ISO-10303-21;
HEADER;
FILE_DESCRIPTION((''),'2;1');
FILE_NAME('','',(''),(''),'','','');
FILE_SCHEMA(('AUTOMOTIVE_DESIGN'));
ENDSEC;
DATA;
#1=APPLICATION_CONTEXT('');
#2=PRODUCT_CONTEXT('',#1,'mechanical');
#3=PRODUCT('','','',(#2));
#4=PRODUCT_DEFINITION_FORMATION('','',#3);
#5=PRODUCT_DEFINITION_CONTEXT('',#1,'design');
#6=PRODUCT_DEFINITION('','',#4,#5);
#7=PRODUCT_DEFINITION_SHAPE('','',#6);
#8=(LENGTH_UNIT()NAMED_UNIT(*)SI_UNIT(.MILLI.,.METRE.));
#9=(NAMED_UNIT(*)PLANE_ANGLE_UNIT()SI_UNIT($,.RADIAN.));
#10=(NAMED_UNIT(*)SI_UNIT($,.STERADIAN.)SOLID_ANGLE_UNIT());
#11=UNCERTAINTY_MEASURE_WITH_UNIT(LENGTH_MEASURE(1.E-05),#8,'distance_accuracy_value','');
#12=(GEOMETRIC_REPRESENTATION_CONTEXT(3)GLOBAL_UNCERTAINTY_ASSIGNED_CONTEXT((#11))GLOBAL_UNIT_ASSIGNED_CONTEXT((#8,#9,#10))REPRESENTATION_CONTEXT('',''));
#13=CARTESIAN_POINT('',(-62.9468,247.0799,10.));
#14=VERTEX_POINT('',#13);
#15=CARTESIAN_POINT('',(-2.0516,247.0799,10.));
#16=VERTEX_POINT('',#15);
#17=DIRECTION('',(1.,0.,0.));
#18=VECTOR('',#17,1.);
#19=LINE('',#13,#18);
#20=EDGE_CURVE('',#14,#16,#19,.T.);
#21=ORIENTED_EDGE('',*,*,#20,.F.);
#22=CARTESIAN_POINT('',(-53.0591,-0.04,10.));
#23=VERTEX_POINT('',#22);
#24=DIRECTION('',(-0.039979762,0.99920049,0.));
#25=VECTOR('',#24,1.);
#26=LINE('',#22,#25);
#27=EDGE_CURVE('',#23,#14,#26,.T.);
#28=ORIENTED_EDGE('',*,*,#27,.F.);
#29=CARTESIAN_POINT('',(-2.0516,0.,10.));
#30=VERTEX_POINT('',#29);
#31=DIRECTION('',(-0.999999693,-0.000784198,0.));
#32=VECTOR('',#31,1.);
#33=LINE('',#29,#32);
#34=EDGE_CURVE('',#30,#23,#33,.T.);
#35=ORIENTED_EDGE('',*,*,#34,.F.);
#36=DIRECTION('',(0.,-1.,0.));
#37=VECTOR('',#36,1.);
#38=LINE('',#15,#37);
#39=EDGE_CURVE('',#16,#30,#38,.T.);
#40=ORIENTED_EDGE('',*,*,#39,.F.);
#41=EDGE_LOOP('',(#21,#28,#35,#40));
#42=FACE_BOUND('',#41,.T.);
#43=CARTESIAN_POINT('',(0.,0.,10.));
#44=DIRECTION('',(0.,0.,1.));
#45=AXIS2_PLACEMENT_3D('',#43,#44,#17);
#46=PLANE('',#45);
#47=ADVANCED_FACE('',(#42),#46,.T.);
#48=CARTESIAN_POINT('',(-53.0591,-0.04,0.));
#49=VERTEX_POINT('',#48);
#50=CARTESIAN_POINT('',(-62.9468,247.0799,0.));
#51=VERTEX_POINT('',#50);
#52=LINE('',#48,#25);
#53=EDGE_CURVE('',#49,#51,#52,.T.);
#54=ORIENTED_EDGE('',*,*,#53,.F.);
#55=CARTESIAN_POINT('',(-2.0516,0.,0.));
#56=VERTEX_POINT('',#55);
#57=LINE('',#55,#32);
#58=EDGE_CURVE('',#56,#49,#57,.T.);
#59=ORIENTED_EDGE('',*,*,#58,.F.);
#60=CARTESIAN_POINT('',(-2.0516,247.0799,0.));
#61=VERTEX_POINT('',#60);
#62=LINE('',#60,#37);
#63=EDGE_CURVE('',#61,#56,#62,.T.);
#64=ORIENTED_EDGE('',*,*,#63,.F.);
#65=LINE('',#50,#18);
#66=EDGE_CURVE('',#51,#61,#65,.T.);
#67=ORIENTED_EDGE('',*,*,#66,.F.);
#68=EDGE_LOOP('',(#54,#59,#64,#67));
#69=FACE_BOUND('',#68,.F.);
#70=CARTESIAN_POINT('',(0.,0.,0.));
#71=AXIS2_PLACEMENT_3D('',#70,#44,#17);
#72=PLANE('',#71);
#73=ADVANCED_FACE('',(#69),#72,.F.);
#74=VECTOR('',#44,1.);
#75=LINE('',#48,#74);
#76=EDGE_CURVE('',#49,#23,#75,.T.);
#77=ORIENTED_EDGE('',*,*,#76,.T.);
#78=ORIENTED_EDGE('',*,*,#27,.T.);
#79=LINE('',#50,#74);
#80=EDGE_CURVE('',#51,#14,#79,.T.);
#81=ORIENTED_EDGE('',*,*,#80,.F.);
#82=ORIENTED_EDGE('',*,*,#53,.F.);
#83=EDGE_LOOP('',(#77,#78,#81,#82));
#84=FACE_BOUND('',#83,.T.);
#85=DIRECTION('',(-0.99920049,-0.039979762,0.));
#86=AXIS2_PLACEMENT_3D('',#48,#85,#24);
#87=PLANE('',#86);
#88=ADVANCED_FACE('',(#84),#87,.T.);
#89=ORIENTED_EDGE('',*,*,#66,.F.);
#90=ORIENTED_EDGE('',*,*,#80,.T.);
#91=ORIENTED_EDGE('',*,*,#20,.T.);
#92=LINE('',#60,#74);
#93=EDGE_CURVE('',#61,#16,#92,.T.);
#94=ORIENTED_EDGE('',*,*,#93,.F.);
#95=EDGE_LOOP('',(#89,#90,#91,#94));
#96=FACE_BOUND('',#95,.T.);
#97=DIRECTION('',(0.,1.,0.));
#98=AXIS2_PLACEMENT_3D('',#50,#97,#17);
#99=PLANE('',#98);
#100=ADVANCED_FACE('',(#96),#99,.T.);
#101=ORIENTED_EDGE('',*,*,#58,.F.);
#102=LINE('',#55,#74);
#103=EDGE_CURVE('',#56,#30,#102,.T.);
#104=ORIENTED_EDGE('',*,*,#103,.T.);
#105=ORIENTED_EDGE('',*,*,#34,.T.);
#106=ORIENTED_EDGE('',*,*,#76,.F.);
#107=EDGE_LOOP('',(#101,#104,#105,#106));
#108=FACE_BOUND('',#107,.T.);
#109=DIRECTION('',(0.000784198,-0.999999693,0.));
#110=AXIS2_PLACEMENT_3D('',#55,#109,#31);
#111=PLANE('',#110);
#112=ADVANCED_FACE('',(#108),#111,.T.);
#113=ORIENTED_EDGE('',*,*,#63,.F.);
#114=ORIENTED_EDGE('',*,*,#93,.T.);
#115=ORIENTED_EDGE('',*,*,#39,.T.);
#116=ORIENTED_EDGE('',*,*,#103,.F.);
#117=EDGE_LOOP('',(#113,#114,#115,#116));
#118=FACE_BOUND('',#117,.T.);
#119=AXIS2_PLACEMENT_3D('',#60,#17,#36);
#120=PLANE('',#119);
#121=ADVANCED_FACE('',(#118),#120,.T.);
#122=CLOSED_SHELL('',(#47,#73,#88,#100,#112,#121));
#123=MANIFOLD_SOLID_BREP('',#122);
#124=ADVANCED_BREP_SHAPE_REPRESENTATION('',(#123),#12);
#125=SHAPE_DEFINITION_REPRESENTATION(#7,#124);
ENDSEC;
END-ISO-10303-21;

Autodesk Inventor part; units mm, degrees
ref_plane "YZ Plane" through (0, 0, 0) normal (1, 0, 0) x (0, 1, 0)
ref_plane "XZ Plane" through (0, 0, 0) normal (0, 1, 0) x (-1, 0, 0)
ref_plane "Work Plane1" through (0, 0, 0) normal (0, 0, 1) x (1, 0, 0)
sketch "Sketch1" plane through (0, 0, 0) normal (0, 0, 1) x (1, 0, 0)
  line L0 (79.0115, 0) -> (-2.0516, 0) construction
  line L1 (-2.0516, 0) -> (-52.0596, 0) construction
  line L2 (-52.0596, 0) -> (-52.0596, 3) construction
  line L3 (-52.0596, 3) -> (-2.0516, 3) construction
  line L4 (-2.0516, 3) -> (79.0115, 3) construction
  line L5 (79.0115, 3) -> (79.0115, 0) construction
  line L6 (-2.0516, 0) -> (-2.0516, 3) construction
  spline S0 degree 3 poles (-55.0581, -0.1199) (-56.7063, 41.0676) (-58.3545, 82.2551) (-61.6504, 164.6284) (-63.2982, 205.8142) (-64.9459, 247) knots -24.731766 -24.731766 -24.731766 -24.731766 -12.36562 -12.36562 0 0 0 0 construction
  spline S1 degree 3 poles (-64.9459, 247) (-64.6127, 247.0133) (-64.2795, 247.0266) (-63.6132, 247.0533) (-63.28, 247.0666) (-62.9468, 247.0799) knots -0.200064 -0.200064 -0.200064 -0.200064 -0.100032 -0.100032 0 0 0 0 construction
  spline S2 degree 3 poles (-62.9468, 247.0799) (-61.299, 205.8913) (-59.6511, 164.7026) (-56.3552, 82.3293) (-54.7072, 41.1447) (-53.0591, -0.04) knots -24.731955 -24.731955 -24.731955 -24.731955 -12.365476 -12.365476 -0.000192 -0.000192 -0.000192 -0.000192 construction
  spline S3 degree 3 poles (-53.0591, -0.04) (-53.3922, -0.0533) (-53.7254, -0.0666) (-54.3917, -0.0933) (-54.7249, -0.1066) (-55.0581, -0.1199) knots -0.200058 -0.200058 -0.200058 -0.200058 -0.100029 -0.100029 0 0 0 0 construction
  line L7 (-2.0516, 0) -> (-53.0591, -0.04)
  line L8 (-62.9468, 247.0799) -> (-2.0516, 247.0799)
  line L9 (-2.0516, 247.0799) -> (-2.0516, 0)
  line L10 (-53.0591, -0.04) -> (-62.9468, 247.0799)
extrude "Extrusion1" add sketch "Sketch1" along normal blind 10
properties part number "internalSupportTop2" material "Wood (Birch)"
